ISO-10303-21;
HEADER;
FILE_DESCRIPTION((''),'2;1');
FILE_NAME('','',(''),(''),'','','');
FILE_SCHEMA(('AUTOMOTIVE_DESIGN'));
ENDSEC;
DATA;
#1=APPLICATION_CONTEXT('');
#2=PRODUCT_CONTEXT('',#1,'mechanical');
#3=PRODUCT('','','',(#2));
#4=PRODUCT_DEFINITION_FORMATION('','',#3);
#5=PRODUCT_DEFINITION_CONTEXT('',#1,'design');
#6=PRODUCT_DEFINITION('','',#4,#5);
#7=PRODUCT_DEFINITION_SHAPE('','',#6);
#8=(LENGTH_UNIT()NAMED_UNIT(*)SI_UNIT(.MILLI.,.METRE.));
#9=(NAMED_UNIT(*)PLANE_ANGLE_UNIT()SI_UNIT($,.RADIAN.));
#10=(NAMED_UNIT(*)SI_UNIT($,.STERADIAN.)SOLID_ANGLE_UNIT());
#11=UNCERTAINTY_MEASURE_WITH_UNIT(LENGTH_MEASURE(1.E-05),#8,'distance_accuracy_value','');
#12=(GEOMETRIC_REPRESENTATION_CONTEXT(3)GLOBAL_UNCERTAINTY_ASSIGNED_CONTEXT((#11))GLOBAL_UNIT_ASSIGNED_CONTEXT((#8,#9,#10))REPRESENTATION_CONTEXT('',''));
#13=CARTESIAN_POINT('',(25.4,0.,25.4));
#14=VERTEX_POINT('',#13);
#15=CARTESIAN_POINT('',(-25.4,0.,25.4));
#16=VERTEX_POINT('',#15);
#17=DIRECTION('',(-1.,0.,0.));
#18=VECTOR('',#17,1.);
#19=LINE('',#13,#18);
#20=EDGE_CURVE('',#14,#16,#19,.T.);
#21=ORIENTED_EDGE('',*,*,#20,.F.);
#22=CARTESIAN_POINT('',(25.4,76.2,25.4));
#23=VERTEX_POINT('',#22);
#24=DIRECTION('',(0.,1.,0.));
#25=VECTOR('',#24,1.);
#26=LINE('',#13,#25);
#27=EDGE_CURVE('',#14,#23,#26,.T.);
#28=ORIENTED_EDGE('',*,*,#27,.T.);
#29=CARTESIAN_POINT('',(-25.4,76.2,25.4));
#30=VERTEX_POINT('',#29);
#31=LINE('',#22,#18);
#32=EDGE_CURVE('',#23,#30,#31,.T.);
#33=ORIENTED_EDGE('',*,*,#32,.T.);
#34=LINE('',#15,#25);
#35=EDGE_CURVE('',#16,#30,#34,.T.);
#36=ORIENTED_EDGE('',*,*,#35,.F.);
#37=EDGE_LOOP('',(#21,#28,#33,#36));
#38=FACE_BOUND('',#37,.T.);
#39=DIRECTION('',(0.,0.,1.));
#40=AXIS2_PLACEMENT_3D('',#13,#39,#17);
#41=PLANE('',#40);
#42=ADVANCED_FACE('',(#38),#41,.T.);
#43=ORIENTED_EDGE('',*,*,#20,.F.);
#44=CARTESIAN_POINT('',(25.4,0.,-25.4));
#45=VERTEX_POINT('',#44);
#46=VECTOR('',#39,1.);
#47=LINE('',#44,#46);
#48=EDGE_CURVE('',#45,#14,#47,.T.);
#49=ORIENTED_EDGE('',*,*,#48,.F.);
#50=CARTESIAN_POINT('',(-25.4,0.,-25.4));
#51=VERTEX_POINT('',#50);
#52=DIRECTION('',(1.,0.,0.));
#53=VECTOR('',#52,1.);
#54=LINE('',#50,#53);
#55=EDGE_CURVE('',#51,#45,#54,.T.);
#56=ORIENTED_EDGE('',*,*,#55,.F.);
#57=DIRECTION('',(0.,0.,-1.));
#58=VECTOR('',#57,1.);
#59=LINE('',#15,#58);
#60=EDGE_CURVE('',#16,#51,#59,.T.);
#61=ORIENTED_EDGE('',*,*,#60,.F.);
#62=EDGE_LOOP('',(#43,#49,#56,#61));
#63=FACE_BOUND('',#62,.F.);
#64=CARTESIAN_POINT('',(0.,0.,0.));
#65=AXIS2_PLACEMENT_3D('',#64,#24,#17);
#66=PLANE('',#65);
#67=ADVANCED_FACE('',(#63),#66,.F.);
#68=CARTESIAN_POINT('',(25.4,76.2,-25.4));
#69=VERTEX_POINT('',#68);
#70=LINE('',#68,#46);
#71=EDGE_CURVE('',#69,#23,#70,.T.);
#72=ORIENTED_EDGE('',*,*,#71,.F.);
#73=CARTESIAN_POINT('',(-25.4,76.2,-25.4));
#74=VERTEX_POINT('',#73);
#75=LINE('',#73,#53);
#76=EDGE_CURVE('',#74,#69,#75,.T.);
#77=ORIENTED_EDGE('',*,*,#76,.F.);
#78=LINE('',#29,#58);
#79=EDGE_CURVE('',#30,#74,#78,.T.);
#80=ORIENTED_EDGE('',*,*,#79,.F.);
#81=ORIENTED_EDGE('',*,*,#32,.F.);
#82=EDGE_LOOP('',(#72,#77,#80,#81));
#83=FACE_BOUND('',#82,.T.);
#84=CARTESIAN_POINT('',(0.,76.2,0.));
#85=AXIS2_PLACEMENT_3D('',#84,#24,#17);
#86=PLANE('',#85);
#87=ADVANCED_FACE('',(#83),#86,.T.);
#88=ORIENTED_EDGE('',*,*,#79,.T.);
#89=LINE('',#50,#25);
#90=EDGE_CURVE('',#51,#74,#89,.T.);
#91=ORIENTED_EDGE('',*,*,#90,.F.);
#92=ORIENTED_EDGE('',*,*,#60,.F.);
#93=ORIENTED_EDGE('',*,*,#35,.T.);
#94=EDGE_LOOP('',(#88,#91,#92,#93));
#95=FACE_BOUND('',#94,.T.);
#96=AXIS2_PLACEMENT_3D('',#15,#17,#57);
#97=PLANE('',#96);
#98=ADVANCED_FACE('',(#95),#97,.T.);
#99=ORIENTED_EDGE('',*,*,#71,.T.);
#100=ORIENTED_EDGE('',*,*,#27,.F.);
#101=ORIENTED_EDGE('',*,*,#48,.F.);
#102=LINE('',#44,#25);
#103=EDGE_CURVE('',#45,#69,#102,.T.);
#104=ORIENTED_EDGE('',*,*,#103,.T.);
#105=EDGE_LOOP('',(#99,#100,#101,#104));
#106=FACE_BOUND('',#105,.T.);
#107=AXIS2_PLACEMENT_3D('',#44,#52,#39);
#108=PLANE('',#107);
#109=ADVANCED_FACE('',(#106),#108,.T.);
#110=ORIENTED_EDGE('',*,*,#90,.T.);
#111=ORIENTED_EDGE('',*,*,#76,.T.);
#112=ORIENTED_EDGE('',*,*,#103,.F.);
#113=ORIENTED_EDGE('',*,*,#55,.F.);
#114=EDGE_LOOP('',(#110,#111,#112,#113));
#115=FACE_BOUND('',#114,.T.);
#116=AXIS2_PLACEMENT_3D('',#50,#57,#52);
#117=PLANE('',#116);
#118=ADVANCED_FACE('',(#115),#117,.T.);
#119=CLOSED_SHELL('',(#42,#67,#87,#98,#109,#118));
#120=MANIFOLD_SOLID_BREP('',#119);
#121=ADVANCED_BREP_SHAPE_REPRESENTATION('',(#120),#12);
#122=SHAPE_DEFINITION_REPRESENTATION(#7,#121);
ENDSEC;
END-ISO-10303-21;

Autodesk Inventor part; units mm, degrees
ref_plane "YZ Plane" through (0, 0, 0) normal (1, 0, 0) x (0, 1, 0)
ref_plane "XZ Plane" through (0, 0, 0) normal (0, 1, 0) x (-1, 0, 0)
ref_plane "XY Plane" through (0, 0, 0) normal (0, 0, 1) x (1, 0, 0)
sketch "Sketch1" plane through (0, 0, 0) normal (0, 1, 0) x (-1, 0, 0)
  line L0 (-25.4, 25.4) -> (25.4, 25.4)
  line L1 (25.4, 25.4) -> (25.4, -25.4)
  line L2 (25.4, -25.4) -> (-25.4, -25.4)
  line L3 (-25.4, -25.4) -> (-25.4, 25.4)
  line L4 (-25.4, 25.4) -> (25.4, -25.4) construction
  line L5 (25.4, 25.4) -> (-25.4, -25.4) construction
  point P0 (0, 0)
  dimension "d0" = 50.8
  dimension "d1" = 50.8
extrude "Extrusion1" add sketch "Sketch1" along normal blind 76.2
properties part number "BX11111"
